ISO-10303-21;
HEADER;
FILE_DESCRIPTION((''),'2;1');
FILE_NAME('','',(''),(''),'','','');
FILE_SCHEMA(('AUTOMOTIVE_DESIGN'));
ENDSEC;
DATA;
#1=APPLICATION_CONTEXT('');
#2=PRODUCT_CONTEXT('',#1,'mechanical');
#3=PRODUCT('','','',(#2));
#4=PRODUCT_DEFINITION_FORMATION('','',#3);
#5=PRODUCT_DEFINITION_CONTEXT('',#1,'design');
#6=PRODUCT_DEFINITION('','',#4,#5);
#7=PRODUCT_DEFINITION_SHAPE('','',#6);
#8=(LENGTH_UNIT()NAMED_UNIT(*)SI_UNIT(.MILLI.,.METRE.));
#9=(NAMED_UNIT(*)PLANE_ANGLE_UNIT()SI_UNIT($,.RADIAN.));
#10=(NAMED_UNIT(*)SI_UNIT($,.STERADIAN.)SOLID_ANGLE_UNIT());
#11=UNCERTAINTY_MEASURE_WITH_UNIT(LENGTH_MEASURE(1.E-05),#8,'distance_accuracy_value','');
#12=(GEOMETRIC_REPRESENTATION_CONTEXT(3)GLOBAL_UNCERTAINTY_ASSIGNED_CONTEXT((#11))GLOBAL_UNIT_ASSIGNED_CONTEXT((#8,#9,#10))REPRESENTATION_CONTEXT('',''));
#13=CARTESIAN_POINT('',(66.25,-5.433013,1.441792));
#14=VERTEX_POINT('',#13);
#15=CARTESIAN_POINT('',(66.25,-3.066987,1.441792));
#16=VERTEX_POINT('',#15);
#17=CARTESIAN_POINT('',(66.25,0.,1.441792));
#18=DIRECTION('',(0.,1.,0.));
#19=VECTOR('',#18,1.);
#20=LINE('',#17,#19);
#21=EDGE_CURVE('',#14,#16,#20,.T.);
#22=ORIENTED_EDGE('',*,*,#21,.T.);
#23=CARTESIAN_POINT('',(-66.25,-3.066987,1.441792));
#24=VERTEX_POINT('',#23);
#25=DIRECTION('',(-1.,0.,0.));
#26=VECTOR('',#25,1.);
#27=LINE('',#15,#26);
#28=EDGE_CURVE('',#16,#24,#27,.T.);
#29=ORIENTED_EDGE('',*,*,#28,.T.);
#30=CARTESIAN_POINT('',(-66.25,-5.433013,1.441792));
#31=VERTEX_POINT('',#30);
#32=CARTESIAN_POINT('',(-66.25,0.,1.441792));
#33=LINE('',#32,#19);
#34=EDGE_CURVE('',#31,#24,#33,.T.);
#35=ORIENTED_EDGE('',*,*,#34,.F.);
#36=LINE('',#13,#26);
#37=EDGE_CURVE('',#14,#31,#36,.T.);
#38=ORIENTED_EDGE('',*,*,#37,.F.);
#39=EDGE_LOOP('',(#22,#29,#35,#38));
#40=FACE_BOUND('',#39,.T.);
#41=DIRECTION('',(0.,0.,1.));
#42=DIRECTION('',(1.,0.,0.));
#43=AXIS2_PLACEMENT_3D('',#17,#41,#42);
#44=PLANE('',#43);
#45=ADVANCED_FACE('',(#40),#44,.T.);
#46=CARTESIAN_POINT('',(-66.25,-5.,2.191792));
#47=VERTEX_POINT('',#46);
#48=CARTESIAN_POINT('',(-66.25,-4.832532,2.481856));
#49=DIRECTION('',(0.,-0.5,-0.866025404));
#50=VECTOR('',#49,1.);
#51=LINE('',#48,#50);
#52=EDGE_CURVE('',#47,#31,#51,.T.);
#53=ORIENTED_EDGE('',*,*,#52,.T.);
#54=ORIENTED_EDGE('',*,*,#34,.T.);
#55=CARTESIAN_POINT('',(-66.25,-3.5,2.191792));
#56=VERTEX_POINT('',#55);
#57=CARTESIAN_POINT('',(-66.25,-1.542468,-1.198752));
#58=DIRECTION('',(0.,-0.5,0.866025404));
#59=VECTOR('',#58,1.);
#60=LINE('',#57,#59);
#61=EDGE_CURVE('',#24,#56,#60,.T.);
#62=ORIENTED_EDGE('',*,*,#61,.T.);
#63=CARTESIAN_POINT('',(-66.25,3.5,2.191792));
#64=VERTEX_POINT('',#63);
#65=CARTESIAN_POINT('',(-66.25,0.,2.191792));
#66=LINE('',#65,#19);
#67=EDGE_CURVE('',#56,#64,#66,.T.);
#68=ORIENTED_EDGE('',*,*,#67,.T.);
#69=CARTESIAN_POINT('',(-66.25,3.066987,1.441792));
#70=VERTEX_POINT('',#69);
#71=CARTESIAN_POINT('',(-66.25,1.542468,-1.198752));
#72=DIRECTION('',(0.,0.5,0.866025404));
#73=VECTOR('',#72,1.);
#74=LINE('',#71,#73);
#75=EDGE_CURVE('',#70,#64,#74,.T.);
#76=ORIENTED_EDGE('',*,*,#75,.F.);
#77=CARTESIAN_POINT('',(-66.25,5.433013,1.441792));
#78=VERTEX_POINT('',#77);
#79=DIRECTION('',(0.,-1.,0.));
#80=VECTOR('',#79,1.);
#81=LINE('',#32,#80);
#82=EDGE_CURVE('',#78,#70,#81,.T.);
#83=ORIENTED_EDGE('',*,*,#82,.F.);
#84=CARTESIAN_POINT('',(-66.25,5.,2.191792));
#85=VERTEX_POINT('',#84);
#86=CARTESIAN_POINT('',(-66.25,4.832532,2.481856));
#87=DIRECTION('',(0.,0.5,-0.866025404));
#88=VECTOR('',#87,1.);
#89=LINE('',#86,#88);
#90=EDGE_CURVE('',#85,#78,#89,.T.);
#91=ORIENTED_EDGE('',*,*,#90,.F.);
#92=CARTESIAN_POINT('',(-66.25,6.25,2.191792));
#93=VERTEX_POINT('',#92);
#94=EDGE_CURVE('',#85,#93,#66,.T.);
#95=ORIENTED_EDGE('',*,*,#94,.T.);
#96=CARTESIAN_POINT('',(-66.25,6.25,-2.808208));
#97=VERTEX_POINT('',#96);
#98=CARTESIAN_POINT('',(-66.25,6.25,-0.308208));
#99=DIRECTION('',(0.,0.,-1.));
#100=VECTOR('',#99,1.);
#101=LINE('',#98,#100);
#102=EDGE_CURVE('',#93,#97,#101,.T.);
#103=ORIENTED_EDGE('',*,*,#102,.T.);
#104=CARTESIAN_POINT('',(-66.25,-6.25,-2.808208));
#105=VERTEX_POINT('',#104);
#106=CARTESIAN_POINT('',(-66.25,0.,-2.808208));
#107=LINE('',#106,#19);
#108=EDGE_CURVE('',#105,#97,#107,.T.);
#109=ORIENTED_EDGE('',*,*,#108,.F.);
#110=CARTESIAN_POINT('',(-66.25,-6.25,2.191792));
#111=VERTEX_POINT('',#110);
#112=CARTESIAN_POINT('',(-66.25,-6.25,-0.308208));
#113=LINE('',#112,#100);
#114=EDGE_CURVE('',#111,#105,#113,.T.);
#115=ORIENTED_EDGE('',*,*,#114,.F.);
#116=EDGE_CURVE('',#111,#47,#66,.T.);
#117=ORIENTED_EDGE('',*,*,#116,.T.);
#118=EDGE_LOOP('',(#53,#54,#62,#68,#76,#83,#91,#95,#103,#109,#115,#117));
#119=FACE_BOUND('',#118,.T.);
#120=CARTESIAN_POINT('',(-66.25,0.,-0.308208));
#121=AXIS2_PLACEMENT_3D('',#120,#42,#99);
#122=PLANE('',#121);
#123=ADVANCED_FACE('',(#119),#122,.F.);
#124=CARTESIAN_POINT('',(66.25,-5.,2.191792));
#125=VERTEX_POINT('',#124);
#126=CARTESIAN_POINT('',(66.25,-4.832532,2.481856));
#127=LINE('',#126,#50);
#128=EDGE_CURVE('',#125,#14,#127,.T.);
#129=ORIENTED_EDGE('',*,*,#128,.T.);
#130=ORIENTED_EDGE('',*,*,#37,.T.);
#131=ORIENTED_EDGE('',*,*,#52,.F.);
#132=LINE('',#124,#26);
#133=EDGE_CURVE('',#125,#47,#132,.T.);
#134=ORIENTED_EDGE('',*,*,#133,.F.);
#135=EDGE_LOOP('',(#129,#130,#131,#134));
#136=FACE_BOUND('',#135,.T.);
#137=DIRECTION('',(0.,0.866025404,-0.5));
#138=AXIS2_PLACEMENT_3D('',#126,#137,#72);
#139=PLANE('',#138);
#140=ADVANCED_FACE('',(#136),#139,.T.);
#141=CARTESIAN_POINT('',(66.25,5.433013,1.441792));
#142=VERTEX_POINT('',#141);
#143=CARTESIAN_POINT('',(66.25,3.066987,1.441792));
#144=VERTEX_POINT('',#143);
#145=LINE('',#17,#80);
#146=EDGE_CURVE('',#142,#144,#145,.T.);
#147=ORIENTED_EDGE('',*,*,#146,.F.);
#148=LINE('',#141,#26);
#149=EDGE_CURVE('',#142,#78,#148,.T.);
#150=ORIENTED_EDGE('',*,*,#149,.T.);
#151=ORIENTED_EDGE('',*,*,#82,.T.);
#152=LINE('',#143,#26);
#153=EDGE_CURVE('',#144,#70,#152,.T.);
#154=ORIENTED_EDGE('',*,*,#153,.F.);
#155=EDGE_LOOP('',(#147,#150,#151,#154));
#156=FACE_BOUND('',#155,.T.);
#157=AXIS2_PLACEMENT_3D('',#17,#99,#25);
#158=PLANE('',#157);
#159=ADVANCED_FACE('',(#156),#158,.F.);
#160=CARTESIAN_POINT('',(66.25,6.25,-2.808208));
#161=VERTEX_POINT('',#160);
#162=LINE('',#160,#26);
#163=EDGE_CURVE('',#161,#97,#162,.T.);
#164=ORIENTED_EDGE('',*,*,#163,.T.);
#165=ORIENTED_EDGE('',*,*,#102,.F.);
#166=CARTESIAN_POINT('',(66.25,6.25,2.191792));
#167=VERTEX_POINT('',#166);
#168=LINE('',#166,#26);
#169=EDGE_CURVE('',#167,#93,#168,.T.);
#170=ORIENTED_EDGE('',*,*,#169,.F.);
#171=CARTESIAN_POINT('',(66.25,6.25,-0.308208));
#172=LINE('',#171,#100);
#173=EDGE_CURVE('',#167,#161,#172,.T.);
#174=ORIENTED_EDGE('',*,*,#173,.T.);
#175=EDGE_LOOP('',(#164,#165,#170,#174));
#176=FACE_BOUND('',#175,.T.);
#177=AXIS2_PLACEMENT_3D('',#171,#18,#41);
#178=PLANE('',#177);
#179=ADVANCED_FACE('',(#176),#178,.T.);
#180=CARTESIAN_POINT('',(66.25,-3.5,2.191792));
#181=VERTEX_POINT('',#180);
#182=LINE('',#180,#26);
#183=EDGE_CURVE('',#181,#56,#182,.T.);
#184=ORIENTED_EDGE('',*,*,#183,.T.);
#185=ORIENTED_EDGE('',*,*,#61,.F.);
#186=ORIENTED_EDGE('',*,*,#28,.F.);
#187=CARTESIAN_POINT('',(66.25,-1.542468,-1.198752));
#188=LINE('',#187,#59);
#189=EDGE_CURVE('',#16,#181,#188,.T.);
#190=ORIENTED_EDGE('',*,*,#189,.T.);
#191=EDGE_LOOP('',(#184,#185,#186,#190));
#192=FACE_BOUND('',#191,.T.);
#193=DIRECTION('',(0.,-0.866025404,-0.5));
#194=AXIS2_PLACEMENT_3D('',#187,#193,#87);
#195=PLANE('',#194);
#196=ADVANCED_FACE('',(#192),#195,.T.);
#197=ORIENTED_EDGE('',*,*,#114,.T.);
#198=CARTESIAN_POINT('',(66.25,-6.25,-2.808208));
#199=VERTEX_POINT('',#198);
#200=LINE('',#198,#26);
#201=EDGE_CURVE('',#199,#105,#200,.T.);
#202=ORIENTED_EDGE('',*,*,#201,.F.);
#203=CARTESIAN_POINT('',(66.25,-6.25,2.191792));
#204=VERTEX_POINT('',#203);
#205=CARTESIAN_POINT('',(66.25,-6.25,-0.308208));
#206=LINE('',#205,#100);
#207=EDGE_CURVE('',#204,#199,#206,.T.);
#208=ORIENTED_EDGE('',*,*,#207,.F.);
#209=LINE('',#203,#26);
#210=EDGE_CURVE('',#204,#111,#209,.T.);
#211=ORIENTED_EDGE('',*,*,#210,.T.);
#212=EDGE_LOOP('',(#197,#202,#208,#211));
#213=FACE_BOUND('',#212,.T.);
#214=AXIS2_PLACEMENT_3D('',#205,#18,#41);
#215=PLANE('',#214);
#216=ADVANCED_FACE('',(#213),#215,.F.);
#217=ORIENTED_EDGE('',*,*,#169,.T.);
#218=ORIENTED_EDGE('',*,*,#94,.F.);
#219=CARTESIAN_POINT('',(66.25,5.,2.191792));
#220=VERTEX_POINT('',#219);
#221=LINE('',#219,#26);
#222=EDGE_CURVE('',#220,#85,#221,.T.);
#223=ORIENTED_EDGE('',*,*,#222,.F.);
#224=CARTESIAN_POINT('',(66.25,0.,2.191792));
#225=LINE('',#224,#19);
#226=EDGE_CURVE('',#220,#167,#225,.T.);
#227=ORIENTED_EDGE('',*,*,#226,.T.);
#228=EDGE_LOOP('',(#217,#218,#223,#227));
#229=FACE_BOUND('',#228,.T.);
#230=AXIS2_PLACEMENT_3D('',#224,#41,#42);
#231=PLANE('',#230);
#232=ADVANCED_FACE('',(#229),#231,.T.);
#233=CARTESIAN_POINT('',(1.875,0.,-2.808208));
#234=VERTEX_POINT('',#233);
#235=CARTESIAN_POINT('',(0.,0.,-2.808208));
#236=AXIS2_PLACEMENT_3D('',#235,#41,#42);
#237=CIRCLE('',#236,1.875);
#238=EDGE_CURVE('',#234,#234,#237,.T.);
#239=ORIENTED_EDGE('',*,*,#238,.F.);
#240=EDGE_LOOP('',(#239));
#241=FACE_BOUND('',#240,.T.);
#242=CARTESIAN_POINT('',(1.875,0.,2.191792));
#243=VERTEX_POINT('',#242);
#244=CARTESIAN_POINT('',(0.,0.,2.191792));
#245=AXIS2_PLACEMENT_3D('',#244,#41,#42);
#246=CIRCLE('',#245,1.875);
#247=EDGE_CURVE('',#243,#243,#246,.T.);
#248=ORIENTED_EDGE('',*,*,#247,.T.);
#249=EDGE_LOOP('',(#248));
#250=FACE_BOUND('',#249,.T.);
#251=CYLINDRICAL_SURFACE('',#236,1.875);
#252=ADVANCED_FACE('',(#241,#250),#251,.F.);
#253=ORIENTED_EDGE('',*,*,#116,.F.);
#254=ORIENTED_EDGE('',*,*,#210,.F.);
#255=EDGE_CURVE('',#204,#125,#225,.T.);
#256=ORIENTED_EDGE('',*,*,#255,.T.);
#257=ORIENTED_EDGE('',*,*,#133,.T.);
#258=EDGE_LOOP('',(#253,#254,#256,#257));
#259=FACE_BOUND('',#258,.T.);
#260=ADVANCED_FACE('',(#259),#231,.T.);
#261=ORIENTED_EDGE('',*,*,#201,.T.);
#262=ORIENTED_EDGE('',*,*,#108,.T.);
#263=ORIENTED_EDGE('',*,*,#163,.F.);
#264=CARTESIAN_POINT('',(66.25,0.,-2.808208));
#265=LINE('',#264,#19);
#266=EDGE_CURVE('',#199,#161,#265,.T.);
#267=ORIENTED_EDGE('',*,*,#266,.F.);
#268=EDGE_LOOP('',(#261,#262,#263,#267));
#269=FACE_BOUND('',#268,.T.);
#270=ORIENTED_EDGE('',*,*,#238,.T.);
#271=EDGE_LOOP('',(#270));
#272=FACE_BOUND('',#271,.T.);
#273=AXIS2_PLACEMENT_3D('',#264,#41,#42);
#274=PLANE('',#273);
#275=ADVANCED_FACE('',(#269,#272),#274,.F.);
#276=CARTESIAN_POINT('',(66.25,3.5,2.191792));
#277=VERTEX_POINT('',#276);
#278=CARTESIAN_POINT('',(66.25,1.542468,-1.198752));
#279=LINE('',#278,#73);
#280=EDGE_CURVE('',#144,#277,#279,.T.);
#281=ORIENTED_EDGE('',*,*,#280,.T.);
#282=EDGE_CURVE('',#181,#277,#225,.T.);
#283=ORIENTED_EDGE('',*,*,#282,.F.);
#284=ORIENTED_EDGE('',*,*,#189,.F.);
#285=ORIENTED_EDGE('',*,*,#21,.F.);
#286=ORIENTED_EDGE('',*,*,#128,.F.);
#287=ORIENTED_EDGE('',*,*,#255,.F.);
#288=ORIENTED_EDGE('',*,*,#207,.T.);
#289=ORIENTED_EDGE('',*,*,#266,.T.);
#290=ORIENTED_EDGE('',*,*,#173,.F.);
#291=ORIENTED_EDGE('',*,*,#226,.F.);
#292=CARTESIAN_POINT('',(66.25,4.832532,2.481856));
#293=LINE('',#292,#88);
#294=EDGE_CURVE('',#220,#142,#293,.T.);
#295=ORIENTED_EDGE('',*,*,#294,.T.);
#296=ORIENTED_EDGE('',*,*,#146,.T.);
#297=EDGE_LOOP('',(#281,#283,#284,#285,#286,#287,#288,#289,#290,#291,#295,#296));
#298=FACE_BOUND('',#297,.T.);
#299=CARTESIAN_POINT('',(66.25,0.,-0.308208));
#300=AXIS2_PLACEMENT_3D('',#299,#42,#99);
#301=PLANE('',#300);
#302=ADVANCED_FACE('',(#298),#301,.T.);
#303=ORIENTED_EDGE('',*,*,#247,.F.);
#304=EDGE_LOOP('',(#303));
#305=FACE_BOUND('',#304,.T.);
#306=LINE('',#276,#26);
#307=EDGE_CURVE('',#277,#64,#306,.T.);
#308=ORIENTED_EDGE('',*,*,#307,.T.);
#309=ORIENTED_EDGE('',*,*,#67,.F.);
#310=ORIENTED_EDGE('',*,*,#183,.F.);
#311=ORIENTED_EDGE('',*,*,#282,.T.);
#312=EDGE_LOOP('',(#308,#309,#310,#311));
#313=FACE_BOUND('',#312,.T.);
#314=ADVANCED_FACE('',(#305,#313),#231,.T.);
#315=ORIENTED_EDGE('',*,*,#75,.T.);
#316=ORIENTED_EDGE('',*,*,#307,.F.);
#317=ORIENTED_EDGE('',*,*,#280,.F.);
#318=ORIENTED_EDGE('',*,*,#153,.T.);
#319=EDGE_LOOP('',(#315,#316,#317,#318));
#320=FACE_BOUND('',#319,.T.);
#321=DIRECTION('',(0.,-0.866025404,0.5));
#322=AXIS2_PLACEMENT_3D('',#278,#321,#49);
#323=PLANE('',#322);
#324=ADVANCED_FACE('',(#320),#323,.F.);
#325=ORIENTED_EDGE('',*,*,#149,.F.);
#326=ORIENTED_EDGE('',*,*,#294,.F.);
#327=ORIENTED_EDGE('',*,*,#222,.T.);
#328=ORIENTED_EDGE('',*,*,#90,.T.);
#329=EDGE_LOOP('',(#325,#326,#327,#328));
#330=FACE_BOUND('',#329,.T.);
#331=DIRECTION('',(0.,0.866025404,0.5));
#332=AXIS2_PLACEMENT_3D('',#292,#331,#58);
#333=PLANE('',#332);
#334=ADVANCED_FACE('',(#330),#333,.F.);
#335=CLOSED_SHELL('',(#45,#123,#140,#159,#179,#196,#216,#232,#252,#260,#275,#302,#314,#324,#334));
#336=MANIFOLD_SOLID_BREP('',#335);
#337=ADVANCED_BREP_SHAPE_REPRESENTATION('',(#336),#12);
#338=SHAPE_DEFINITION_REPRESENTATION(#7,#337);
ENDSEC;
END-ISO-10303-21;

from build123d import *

# Parameters (mm, degrees)
BOSS_EXTRUDE1_DEPTH     = 265
CUT_EXTRUDE2_DEPTH      = 267.364412037
CUT_EXTRUDE2_DEPTH_BACK = 267.364412037
SKETCH3_R               = 7.5
SCALE1_SCALE            = 0.25


with BuildPart() as part:
    # Sketch2 → Boss-Extrude1 (new, symmetric)
    with BuildSketch(Plane(origin=(0, 0, 0), x_dir=(0, 0, -1), z_dir=(1, 0, 0))):
        Polygon((-10, -20), (-10, -25), (10, -25), (10, 25), (-10, 25), (-10, 20), (-7, 21.732050808), (-7, 12.267949192), (-10, 14), (-10, -14), (-7, -12.267949192), (-7, -21.732050808), align=None)
    extrude(amount=BOSS_EXTRUDE1_DEPTH, both=True)

    # Sketch3 → Cut-Extrude2 (cut, two sides: drawn at the far end of the back side and taken through both)
    with BuildSketch(Plane.XY.offset(-CUT_EXTRUDE2_DEPTH_BACK)):
        Circle(SKETCH3_R)
    extrude(amount=CUT_EXTRUDE2_DEPTH + CUT_EXTRUDE2_DEPTH_BACK, mode=Mode.SUBTRACT)


with BuildPart() as part_1:
    # Scale1: scaled about (0, 0, -0.410943417)
    add(part.part.scale(SCALE1_SCALE).moved(Location((0, 0, -0.308207563))))


solid = part_1.part
